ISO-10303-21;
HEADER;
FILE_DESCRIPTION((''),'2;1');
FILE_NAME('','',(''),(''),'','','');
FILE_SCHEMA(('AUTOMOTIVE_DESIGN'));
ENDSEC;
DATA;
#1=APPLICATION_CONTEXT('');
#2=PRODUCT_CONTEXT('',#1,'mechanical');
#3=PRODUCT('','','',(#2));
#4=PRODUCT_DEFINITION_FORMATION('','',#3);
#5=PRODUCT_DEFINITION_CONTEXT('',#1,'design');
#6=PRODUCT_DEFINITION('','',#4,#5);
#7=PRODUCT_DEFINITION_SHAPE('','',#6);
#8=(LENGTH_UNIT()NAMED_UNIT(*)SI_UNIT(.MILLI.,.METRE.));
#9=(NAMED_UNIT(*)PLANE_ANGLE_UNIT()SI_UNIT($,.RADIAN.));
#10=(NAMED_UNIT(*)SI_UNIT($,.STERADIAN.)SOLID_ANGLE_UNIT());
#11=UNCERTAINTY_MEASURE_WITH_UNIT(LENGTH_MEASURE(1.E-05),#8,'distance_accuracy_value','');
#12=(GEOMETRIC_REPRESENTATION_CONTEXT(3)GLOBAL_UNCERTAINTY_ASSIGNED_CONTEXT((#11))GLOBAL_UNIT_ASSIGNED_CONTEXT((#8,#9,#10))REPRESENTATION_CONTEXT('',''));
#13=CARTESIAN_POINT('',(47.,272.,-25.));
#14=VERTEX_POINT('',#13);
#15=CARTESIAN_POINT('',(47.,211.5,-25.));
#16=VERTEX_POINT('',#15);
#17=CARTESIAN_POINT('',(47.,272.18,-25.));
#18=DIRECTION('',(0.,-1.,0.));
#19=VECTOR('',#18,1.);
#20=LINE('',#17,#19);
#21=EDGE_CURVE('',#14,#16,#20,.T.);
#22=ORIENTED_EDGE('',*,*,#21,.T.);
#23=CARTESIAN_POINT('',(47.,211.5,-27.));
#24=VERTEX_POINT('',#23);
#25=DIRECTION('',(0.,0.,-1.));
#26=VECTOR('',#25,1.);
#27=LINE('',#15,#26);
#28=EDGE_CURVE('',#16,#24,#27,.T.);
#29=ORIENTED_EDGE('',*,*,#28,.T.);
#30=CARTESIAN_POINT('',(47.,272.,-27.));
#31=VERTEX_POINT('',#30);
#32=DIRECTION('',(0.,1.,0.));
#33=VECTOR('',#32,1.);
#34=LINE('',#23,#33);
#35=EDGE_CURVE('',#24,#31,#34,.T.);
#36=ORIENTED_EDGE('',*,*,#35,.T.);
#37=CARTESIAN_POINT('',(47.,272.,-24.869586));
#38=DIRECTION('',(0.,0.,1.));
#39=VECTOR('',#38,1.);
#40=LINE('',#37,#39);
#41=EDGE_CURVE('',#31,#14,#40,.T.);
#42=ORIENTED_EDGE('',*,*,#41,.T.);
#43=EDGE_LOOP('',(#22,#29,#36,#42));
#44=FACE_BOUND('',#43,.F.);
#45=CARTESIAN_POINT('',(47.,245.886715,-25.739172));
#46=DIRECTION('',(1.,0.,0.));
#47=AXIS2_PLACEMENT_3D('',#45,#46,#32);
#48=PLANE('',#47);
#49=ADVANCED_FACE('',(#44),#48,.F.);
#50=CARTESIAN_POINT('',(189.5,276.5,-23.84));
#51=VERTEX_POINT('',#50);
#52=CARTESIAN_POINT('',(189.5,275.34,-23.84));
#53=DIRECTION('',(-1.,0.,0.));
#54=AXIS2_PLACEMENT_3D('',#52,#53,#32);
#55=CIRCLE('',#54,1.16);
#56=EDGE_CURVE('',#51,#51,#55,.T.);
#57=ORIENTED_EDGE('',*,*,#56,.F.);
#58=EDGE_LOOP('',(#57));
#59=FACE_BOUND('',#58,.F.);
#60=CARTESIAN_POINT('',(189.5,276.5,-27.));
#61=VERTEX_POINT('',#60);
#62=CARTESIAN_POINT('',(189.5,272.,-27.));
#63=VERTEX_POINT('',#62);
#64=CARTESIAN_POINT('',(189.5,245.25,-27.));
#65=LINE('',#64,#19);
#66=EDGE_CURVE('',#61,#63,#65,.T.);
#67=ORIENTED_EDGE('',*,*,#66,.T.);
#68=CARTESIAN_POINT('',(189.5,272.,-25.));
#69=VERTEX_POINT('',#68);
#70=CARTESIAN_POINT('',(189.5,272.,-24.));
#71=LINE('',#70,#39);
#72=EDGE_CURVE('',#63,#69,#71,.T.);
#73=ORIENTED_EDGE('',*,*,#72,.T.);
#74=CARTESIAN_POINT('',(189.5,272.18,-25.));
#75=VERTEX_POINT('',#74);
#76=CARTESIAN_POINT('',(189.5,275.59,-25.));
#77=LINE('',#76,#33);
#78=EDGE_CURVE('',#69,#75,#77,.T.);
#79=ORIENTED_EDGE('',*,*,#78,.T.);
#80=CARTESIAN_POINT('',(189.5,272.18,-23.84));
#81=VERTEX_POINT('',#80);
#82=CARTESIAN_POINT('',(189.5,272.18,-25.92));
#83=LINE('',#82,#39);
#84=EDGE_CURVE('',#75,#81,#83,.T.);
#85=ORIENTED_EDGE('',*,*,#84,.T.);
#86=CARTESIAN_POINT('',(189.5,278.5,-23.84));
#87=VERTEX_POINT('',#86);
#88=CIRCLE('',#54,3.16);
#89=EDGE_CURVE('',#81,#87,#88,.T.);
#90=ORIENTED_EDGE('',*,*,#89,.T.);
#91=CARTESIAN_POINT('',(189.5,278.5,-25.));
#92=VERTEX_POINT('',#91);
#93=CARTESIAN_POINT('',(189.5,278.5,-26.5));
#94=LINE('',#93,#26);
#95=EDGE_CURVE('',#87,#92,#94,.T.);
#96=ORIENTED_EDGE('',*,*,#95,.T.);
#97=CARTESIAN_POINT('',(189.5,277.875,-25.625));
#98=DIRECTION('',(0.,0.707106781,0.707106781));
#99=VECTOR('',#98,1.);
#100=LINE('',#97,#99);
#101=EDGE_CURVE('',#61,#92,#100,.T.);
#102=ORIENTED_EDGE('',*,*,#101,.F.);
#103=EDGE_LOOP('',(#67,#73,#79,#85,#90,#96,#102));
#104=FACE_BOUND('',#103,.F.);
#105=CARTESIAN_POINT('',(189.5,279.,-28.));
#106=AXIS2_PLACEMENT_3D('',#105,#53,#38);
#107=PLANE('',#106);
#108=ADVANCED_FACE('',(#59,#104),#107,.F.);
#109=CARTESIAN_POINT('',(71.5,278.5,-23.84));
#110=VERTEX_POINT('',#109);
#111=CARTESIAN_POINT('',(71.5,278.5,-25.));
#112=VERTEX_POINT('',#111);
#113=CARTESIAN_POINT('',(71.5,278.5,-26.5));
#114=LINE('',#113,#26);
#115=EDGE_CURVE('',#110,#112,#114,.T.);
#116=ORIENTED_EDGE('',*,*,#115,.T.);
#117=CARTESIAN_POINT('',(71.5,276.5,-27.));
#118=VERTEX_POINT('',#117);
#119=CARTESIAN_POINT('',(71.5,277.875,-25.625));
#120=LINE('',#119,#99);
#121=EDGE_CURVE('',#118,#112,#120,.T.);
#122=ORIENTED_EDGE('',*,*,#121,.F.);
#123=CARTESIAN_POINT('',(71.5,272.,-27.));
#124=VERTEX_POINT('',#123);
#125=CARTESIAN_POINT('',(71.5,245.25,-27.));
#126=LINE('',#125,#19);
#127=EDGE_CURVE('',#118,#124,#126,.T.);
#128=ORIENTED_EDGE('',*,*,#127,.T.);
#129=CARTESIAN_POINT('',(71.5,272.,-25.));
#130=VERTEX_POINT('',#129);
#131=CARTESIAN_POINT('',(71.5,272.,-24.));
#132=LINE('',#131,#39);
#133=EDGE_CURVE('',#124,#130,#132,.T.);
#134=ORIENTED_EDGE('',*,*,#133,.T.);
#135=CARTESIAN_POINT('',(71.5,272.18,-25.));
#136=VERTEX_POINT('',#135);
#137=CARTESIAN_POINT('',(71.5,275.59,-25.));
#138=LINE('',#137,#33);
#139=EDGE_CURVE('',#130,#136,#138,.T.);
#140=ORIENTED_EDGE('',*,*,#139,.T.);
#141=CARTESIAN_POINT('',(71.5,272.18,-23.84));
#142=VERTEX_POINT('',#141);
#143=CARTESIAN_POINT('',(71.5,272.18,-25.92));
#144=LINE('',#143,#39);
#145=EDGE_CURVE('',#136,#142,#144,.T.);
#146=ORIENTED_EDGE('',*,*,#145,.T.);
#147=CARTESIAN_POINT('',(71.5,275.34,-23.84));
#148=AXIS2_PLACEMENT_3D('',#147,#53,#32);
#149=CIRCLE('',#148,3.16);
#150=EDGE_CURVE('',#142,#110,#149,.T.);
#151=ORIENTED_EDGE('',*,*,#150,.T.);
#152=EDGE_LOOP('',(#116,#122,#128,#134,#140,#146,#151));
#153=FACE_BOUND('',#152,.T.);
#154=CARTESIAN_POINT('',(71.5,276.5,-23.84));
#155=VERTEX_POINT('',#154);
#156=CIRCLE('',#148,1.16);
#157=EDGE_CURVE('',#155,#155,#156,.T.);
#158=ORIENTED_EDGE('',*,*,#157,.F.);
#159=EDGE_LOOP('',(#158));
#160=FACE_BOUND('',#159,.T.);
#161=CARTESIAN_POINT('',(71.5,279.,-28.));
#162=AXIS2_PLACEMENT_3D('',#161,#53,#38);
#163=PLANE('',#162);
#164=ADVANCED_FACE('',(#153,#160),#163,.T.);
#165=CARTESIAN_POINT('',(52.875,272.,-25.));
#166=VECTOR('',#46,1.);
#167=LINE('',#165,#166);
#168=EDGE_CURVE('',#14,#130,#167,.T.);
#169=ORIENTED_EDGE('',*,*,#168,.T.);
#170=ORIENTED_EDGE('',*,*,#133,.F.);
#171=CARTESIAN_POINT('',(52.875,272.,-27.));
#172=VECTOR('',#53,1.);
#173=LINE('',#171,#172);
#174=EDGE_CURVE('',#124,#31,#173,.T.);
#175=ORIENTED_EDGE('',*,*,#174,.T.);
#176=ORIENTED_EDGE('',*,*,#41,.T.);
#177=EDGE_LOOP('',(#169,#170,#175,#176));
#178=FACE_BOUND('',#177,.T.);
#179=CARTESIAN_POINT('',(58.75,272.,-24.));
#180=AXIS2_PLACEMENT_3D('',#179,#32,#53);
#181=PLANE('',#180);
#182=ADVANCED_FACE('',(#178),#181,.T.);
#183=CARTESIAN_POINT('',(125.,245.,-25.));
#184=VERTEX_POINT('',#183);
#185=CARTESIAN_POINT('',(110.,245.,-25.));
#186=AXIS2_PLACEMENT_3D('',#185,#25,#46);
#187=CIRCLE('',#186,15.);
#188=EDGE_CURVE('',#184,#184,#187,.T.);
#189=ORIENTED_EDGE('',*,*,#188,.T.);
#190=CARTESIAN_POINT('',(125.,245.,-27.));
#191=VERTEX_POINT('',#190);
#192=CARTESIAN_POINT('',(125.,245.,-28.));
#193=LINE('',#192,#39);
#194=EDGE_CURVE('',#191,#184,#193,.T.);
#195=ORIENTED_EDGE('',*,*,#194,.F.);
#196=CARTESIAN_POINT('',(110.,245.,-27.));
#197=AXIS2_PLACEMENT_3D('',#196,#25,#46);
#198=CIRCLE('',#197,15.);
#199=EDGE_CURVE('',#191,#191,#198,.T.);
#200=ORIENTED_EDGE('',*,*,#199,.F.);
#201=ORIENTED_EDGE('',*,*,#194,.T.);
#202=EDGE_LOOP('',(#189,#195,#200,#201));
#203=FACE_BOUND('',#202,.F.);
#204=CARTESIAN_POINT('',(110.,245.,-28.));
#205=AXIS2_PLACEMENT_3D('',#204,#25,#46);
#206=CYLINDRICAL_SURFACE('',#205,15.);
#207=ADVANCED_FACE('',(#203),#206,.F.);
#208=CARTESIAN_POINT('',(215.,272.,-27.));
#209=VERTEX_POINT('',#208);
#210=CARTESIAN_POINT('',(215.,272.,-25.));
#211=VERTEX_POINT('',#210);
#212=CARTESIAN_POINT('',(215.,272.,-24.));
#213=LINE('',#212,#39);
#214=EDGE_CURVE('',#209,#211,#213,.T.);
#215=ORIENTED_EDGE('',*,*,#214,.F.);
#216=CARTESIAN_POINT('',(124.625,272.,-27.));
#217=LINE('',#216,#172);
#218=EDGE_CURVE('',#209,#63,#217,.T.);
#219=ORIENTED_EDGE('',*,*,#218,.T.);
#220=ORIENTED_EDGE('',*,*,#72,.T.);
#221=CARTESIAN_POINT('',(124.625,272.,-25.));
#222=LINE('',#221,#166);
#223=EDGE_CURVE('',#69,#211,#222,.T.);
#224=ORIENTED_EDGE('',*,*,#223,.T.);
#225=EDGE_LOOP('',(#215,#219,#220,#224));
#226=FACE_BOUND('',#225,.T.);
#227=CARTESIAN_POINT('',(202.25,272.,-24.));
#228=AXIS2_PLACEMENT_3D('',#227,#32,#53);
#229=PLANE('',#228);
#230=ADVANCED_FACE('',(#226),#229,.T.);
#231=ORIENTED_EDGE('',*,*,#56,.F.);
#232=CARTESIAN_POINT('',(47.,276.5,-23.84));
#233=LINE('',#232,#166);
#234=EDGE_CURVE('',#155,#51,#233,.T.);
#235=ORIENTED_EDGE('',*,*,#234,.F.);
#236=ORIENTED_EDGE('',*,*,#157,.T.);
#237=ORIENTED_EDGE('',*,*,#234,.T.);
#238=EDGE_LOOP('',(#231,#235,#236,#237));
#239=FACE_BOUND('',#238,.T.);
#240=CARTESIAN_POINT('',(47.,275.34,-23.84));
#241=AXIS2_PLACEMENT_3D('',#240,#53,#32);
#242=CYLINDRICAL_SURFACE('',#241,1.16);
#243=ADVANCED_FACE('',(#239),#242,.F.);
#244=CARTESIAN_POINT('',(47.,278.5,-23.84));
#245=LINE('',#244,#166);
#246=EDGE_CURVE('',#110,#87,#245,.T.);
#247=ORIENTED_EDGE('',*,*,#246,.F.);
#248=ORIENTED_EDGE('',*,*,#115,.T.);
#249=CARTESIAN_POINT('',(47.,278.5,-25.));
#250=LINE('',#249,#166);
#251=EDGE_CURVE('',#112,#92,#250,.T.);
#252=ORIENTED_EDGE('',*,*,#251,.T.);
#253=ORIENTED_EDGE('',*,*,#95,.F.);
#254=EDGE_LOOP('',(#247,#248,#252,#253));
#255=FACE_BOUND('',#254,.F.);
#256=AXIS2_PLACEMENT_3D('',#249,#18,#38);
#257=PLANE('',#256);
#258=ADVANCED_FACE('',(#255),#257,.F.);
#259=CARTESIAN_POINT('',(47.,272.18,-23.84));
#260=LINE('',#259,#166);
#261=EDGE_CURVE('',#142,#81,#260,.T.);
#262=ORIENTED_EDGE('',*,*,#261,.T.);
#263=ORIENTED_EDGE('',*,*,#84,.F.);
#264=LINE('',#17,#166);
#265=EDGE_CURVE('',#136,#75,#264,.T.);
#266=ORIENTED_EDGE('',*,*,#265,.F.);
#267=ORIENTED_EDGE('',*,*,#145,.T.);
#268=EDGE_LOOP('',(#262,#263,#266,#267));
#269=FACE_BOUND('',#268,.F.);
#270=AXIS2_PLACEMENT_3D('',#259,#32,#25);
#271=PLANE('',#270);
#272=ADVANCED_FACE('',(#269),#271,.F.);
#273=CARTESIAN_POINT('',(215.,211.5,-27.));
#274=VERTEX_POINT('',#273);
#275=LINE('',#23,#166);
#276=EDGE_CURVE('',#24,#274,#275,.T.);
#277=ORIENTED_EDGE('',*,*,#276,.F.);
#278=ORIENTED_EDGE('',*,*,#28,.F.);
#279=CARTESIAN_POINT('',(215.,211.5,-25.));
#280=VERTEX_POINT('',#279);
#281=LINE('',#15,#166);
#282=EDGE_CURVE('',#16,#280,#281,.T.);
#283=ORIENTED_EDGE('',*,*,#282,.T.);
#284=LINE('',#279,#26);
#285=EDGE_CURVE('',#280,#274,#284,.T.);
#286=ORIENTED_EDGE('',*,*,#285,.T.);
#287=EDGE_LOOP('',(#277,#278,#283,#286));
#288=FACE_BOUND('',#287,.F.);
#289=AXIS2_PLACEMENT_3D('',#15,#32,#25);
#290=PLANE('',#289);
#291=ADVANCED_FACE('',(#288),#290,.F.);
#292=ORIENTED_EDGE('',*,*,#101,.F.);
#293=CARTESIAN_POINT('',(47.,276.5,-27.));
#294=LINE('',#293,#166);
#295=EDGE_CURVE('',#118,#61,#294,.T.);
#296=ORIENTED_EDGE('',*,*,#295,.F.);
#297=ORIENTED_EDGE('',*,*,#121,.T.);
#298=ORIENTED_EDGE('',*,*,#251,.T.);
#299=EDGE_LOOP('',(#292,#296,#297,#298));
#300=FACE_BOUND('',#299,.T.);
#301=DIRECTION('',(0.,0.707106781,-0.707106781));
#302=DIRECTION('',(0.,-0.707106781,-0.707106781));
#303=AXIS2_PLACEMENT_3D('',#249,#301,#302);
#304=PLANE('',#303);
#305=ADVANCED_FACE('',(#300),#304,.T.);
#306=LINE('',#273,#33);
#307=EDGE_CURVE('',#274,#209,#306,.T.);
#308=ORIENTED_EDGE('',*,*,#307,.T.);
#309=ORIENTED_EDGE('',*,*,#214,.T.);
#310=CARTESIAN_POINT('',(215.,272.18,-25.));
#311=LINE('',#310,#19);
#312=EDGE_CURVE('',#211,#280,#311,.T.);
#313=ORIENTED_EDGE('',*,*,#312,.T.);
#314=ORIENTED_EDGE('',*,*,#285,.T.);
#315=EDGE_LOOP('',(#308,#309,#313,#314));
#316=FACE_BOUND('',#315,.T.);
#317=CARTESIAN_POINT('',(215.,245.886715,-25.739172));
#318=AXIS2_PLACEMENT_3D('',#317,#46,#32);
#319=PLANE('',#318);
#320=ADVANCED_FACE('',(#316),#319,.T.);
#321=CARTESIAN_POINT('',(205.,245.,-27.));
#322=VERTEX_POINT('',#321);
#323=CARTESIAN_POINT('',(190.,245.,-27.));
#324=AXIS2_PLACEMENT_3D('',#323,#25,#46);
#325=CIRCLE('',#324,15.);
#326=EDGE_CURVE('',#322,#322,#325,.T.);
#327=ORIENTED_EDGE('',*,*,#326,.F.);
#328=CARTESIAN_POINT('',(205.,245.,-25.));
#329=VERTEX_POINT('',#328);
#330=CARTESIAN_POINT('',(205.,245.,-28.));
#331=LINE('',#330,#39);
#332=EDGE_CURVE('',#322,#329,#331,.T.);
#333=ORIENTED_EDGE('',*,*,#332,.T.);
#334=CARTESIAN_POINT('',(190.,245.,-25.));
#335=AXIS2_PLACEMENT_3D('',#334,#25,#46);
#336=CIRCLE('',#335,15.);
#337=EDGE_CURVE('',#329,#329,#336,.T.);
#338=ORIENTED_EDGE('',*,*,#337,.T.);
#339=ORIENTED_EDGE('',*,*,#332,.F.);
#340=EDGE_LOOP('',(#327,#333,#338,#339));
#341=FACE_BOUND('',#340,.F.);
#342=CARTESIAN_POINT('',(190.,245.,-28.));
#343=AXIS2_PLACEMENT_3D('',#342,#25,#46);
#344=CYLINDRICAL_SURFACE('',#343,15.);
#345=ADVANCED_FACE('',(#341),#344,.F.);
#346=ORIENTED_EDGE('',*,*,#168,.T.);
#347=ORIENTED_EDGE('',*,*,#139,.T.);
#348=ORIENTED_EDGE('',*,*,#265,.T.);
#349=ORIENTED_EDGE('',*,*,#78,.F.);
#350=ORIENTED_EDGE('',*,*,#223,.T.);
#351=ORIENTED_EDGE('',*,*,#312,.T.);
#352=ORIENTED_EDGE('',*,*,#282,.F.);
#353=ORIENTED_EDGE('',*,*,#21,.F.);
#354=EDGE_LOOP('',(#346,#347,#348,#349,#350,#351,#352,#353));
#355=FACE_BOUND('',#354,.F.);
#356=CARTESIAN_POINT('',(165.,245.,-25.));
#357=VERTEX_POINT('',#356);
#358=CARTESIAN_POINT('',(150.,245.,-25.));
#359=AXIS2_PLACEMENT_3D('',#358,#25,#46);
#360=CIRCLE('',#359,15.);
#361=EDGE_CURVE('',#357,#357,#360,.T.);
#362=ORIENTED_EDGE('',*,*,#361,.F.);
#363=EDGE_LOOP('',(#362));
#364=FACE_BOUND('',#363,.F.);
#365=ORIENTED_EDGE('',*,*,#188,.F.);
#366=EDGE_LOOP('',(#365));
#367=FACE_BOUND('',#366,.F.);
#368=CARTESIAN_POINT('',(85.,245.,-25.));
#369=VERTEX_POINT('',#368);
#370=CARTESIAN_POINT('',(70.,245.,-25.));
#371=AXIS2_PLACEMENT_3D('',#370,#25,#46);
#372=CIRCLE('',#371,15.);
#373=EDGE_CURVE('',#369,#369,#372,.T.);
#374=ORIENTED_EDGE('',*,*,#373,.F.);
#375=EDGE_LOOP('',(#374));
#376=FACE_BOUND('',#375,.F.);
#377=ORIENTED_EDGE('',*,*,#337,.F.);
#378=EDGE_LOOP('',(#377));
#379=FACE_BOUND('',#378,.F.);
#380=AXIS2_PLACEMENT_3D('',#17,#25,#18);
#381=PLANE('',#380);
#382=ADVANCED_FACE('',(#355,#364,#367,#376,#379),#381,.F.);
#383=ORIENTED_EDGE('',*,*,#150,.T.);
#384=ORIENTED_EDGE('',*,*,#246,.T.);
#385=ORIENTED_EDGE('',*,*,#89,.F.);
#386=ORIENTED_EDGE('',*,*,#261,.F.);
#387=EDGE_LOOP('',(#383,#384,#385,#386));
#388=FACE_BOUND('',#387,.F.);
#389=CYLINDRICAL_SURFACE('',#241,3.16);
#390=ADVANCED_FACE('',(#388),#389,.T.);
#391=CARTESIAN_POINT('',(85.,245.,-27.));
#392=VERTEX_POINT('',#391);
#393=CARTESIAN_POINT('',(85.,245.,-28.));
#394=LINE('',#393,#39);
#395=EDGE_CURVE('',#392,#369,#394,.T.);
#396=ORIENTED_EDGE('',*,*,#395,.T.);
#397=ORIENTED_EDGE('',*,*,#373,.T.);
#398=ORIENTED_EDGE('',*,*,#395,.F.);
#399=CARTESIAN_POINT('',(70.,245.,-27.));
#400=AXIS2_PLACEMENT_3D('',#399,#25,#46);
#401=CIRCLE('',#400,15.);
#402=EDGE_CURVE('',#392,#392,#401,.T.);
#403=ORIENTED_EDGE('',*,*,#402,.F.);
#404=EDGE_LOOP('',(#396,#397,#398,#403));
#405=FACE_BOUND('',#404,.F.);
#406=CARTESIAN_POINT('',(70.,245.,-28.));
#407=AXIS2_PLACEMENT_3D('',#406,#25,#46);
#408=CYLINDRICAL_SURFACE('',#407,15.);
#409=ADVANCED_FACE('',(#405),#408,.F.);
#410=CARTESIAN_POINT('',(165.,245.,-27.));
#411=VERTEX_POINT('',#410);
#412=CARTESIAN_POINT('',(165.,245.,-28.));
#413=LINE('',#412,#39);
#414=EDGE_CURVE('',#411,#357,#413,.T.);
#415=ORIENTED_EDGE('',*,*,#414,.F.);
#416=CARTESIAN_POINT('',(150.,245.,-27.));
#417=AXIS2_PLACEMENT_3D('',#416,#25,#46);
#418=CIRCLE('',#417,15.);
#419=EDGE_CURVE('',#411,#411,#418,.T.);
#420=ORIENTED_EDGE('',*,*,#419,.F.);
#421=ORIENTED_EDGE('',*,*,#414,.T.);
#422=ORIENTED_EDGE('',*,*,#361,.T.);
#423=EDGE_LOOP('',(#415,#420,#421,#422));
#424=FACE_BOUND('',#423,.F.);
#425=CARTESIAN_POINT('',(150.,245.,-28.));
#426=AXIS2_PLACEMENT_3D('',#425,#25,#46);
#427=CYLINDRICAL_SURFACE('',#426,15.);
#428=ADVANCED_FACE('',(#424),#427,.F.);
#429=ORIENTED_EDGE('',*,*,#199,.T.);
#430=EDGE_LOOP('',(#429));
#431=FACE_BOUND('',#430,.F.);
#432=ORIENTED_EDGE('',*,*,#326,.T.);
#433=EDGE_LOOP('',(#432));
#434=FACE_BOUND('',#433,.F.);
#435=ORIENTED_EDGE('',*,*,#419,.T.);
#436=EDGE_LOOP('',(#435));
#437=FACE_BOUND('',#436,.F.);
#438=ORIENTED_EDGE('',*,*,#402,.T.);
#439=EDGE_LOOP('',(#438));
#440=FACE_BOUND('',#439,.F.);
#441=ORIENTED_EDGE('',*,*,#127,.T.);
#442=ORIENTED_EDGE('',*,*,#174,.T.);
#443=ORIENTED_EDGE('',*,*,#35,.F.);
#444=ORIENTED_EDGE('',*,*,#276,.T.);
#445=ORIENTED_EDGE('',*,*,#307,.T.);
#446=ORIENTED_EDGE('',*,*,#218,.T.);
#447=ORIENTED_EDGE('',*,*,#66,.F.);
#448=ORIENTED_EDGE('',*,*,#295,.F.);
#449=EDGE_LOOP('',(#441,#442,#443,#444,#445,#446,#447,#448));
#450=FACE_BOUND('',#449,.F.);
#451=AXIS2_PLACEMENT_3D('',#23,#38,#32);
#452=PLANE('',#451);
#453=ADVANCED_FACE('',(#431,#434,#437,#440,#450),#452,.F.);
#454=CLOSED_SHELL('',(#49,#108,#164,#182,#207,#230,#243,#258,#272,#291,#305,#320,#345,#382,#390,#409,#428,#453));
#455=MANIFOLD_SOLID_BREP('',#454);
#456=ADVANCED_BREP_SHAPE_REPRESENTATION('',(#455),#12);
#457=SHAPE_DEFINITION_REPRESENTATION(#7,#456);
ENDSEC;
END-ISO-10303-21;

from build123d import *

# Parameters (mm, degrees)
SKETCH137_R      = 15
EXTRUDE127_DEPTH = 4
SKETCH078_W      = 25.5
SKETCH078_H      = 8
EXTRUDE070_DEPTH = 7
SKETCH075_R      = 1.16
EXTRUDE067_DEPTH = 168


with BuildPart() as extrude127:
    # Sketch137 → Extrude127 (new body)
    with BuildSketch(Plane(origin=(0, 0, -28), x_dir=(1, 0, 0), z_dir=(0, 0, -1))):
        with Locations((150, -245)):
            Circle(SKETCH137_R)
        with Locations((190, -245)):
            Circle(SKETCH137_R)
        with Locations((70, -245)):
            Circle(SKETCH137_R)
        with Locations((110, -245)):
            Circle(SKETCH137_R)
    extrude(amount=-EXTRUDE127_DEPTH)


with BuildPart() as compound026:
    # Sketch078 → Extrude070 (new body)
    with BuildSketch(Plane(origin=(0, 279, 0), x_dir=(-1, 0, 0), z_dir=(0, 1, 0))):
        with Locations((-202.25, -24)):
            Rectangle(SKETCH078_W, SKETCH078_H)
        with Locations((-58.75, -24)):
            Rectangle(SKETCH078_W, SKETCH078_H)
    extrude(amount=-EXTRUDE070_DEPTH)

    # Compound026: union Extrude127
    add(extrude127.part)


with BuildPart() as battery_lid:
    # Sketch075 → Extrude067 (new body)
    with BuildSketch(Plane.YZ.offset(47)):
        with BuildLine():
            Line((272.18, -25), (211.5, -25))
            Line((211.5, -25), (211.5, -27))
            Line((211.5, -27), (276.5, -27))
            Line((278.5, -25), (276.5, -27))
            Line((278.5, -25), (278.5, -23.84))
            ThreePointArc((278.5, -23.84), (275.34, -20.68), (272.18, -23.84))
            Line((272.18, -23.84), (272.18, -25))
        make_face()
        with Locations((275.34, -23.84)):
            Circle(SKETCH075_R, mode=Mode.SUBTRACT)
    extrude(amount=EXTRUDE067_DEPTH)

    # Cut014: cut Compound026
    add(compound026.part, mode=Mode.SUBTRACT)


solid = battery_lid.part
